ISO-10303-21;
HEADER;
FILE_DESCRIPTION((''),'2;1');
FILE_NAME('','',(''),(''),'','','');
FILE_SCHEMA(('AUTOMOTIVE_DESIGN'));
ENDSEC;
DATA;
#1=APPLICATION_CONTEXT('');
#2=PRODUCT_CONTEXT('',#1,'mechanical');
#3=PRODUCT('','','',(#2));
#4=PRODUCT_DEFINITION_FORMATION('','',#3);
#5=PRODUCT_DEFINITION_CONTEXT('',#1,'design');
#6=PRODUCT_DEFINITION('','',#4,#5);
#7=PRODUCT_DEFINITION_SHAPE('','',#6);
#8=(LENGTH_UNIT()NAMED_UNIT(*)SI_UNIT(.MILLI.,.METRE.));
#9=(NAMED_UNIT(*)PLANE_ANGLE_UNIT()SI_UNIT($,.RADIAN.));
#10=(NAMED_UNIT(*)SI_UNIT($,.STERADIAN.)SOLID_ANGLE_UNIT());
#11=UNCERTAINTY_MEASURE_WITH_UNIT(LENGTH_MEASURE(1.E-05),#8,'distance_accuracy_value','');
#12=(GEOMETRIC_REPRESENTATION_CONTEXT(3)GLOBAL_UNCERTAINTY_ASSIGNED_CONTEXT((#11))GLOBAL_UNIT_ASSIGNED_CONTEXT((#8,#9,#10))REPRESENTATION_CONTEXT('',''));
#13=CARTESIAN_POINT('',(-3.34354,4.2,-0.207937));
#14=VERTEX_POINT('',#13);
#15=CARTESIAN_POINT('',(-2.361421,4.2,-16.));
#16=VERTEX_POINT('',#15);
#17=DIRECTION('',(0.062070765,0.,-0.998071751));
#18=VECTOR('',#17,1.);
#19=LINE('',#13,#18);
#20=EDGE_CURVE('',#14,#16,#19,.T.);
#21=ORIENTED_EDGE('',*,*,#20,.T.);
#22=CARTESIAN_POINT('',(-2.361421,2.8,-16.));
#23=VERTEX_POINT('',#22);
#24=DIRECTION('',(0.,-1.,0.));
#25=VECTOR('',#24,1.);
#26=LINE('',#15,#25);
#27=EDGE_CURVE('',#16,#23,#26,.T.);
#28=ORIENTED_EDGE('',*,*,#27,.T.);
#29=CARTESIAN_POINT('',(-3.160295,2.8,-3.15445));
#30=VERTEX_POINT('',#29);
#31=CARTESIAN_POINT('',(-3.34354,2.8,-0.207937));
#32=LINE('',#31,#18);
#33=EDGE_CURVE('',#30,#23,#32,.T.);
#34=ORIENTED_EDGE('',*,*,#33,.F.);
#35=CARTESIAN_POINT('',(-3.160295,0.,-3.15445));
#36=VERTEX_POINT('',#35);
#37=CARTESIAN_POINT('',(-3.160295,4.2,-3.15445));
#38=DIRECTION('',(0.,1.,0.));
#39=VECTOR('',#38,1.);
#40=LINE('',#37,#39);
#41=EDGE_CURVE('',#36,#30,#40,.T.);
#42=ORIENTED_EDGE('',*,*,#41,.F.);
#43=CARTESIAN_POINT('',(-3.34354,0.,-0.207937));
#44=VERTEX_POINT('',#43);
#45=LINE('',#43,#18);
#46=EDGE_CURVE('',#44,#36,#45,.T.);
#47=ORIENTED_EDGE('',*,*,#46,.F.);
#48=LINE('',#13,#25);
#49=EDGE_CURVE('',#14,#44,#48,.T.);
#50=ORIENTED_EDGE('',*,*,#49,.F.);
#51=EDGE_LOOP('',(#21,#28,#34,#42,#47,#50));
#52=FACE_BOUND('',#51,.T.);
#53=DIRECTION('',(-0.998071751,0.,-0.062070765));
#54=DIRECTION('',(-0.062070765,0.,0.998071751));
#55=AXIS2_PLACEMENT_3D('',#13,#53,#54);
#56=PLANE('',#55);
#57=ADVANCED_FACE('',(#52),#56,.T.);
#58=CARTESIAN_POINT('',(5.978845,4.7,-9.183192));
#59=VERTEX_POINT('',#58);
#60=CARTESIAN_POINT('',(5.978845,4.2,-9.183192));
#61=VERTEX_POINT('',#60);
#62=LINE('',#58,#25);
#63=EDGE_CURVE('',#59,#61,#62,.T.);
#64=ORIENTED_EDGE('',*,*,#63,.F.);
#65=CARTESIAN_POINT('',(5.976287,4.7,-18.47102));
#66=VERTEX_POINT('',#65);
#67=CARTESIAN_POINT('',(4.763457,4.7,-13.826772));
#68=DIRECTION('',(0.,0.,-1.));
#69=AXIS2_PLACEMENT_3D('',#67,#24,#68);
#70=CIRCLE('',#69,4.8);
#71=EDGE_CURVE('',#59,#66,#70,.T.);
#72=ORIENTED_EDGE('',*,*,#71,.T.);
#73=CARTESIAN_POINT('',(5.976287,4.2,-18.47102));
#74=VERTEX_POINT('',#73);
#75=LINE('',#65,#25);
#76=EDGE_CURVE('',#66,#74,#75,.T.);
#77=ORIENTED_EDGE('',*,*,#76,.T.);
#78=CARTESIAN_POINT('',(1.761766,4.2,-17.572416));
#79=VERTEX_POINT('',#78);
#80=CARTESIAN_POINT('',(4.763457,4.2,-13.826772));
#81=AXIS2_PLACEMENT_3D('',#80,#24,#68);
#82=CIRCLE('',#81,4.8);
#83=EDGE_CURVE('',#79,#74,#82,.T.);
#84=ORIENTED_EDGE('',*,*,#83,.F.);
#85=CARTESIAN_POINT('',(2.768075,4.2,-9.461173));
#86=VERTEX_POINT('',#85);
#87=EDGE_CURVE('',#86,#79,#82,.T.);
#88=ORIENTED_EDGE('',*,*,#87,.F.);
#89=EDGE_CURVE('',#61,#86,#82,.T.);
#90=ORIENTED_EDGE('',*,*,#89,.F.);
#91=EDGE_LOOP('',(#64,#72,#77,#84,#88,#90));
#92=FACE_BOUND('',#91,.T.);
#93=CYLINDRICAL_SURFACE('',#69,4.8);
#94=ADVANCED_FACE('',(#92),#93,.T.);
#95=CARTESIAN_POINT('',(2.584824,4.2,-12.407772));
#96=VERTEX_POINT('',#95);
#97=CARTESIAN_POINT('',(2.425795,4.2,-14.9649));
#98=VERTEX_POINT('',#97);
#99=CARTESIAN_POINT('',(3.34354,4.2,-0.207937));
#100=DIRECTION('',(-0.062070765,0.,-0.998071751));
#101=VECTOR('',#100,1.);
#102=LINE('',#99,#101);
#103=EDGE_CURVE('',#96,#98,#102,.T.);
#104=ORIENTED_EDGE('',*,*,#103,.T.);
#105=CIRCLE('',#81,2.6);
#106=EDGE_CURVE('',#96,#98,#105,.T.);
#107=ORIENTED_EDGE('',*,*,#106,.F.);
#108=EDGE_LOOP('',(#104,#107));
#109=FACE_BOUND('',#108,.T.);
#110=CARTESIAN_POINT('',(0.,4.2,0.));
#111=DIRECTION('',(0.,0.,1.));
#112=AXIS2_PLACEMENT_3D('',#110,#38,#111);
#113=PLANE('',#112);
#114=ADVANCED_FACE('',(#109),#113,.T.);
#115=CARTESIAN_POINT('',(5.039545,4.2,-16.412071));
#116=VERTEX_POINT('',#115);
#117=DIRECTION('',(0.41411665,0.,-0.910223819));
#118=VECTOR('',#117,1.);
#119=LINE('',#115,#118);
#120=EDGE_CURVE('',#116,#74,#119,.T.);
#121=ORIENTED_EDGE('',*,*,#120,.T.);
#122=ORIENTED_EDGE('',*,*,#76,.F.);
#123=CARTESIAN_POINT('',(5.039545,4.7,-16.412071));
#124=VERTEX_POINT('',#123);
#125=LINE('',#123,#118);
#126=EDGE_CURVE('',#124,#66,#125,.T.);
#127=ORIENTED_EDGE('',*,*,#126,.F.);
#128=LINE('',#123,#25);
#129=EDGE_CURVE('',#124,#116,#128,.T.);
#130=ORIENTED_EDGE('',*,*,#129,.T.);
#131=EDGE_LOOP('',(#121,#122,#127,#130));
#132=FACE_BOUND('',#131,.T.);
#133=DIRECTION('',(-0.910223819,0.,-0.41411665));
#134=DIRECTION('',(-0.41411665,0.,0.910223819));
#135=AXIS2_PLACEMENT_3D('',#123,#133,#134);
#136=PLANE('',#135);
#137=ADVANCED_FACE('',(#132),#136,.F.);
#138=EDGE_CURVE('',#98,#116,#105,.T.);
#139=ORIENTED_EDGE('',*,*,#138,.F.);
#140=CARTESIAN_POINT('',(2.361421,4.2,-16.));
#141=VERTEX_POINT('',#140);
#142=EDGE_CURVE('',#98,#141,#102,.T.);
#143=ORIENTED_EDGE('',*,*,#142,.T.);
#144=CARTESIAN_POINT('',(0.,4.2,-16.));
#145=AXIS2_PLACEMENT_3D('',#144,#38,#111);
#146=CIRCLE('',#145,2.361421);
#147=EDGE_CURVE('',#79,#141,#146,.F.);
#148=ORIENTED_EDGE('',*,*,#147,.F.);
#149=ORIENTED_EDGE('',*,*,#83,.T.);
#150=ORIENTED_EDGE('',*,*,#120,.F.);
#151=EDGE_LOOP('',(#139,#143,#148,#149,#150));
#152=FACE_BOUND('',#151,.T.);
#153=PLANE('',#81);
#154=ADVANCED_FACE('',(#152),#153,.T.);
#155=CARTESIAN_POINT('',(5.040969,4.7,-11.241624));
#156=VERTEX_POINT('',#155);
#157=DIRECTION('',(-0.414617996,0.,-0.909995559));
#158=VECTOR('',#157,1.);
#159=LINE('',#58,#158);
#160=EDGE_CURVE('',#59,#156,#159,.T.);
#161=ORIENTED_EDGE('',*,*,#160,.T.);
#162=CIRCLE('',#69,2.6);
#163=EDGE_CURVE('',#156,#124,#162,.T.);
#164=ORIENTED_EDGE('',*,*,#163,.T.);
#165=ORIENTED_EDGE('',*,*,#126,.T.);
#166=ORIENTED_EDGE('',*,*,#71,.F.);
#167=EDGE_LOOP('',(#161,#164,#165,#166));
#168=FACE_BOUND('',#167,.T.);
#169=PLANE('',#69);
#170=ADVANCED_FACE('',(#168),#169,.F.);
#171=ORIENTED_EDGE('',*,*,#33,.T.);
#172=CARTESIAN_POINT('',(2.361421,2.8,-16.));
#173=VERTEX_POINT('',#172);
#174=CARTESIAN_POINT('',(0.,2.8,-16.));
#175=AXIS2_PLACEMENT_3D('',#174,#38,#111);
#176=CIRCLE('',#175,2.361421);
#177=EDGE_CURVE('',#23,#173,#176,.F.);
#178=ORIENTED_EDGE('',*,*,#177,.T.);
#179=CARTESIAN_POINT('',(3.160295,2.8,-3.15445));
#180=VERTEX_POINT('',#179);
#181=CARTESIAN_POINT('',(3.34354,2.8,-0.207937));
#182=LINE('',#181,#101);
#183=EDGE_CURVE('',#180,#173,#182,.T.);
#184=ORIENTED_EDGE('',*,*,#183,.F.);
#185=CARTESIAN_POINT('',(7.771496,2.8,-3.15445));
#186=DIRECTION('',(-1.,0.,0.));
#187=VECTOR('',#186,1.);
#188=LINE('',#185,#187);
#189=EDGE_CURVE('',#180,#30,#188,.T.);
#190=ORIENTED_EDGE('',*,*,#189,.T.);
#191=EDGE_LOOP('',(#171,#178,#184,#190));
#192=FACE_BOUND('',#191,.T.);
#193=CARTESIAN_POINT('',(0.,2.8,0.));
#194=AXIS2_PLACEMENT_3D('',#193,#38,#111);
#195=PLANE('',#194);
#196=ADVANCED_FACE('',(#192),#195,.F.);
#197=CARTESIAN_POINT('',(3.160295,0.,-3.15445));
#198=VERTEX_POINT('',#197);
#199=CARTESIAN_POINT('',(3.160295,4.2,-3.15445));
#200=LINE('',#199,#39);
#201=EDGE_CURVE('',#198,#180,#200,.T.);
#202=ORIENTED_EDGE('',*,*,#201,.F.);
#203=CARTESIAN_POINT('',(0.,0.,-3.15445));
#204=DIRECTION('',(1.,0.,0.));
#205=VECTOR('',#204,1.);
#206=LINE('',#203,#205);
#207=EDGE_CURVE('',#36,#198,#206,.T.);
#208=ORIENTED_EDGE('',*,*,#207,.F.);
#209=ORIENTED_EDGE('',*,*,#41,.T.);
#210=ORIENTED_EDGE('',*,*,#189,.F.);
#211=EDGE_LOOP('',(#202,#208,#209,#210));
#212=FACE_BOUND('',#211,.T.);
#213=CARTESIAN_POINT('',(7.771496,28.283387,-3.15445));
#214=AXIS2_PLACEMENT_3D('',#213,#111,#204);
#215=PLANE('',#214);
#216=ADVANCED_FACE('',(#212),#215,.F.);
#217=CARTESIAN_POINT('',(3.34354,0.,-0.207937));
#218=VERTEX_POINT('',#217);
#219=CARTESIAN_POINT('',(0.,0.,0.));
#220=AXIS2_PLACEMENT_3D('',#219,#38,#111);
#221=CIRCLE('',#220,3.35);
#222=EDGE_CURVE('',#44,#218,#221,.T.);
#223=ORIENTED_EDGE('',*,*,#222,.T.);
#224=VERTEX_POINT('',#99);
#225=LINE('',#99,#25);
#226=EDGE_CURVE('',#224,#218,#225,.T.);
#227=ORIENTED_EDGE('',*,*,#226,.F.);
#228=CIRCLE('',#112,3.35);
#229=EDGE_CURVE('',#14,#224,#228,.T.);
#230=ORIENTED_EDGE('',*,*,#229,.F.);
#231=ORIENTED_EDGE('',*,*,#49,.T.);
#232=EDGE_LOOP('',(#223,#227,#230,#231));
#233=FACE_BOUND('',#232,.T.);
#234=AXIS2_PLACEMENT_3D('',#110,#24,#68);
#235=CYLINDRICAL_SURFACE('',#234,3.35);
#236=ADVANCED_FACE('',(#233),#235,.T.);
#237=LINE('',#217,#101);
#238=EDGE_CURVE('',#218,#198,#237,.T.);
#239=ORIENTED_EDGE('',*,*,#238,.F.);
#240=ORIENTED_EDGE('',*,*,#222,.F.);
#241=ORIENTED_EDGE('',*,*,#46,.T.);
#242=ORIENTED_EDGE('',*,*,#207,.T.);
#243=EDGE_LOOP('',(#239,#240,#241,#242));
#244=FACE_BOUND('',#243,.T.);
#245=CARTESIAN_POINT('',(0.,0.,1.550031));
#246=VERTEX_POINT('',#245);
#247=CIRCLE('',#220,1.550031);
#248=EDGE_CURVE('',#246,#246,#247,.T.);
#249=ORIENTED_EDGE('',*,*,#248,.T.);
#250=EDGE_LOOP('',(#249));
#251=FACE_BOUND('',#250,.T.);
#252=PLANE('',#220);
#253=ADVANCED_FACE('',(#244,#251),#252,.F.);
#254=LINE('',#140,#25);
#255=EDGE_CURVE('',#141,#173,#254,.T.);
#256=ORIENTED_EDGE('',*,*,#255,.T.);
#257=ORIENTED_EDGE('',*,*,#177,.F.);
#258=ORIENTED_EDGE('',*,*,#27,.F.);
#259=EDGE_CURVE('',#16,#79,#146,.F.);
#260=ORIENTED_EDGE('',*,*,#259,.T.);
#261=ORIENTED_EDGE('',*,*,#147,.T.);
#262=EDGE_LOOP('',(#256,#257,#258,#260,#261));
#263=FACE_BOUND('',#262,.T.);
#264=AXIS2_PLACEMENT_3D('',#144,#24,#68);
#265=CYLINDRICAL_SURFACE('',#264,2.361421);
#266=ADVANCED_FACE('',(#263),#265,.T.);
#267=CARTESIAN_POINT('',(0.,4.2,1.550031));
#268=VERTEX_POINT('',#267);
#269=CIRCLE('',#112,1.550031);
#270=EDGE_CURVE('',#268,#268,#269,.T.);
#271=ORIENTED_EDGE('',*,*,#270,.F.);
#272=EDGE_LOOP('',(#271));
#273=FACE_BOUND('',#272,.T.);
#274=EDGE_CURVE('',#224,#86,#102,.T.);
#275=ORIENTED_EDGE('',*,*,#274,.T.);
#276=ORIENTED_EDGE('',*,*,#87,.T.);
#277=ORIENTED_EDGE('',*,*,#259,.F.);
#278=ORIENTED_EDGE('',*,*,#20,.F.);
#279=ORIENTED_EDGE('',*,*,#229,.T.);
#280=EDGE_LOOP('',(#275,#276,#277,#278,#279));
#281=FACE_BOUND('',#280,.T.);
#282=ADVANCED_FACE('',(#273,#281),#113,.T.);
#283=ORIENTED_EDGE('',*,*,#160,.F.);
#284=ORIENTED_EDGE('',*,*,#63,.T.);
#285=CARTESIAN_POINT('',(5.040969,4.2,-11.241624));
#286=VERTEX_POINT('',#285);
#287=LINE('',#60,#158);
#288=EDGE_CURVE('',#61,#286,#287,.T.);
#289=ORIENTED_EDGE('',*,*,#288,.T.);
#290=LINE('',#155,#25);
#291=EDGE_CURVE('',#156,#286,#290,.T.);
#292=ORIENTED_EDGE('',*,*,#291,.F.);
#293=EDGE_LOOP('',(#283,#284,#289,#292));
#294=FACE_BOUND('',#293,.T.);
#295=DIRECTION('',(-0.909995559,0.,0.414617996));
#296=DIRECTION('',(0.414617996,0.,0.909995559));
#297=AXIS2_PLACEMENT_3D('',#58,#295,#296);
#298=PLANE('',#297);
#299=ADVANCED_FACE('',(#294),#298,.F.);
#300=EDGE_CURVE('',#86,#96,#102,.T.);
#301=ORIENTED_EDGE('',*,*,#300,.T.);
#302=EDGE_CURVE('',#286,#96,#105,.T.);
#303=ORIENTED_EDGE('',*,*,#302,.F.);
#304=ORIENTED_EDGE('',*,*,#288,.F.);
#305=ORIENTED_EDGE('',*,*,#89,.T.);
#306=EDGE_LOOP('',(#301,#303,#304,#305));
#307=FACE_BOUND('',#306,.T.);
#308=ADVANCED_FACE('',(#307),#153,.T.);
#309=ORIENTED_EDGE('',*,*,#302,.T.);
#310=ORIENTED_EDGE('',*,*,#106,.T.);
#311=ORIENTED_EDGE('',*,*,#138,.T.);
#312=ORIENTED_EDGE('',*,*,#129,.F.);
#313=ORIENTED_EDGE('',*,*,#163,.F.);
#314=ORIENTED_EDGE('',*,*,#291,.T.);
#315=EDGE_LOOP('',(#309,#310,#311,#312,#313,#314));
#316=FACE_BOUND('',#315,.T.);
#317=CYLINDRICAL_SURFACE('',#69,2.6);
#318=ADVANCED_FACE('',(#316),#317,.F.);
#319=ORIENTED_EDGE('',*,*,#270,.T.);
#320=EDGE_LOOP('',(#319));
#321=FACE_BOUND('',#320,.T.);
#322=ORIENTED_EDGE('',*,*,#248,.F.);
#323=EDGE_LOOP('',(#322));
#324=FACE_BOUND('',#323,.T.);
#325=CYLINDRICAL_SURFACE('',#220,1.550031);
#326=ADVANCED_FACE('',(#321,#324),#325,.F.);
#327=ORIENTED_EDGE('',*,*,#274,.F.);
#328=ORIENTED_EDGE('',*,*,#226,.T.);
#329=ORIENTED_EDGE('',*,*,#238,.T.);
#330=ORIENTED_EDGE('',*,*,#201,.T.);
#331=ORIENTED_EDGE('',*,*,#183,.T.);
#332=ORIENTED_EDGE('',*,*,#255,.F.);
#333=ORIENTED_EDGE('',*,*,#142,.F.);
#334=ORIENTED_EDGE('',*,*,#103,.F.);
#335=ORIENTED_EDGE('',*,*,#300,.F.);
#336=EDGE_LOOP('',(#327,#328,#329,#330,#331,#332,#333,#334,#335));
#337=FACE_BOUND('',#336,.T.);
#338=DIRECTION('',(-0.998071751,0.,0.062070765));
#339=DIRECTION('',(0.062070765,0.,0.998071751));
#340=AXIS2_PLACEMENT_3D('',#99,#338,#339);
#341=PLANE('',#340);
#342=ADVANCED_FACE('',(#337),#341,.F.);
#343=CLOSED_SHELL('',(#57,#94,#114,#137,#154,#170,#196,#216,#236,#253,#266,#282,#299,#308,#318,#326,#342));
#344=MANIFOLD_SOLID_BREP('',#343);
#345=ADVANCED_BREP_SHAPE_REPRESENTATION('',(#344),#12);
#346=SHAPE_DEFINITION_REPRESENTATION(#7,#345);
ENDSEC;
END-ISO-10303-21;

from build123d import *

# Parameters (mm, degrees)
BOSS_EXTRUDE1_DEPTH = 4.2
SKETCH2_R           = 1.550030902
CUT_EXTRUDE1_DEPTH  = 4.2
WASHER_DEPTH        = 0.5
SKETCH4_W           = 15.014396114
SKETCH4_H           = 18.830226703
CUT_EXTRUDE2_DEPTH  = 2.8


with BuildPart() as part:
    # Sketch1 → Boss-Extrude1 (new body)
    with BuildSketch(Plane(origin=(0, 0, 0), x_dir=(1, 0, 0), z_dir=(0, 1, 0))):
        with BuildLine():
            Line((-2.361421162, 16), (-3.343540366, 0.207937064))
            ThreePointArc((-3.343540366, 0.207937064), (0, -3.35), (3.343540366, 0.207937064))
            Line((3.343540366, 0.207937064), (2.361421162, 16))
            ThreePointArc((2.361421162, 16), (0, 18.361421162), (-2.361421162, 16))
        make_face()
    extrude(amount=BOSS_EXTRUDE1_DEPTH)

    # Sketch2 → Cut-Extrude1 (cut)
    with BuildSketch(Plane(origin=(0, 4.2, 0), x_dir=(1, 0, 0), z_dir=(0, 1, 0))):
        with Locations(Location((0, 0, 0), (0, 0, 270))):
            Circle(SKETCH2_R)
    extrude(amount=-CUT_EXTRUDE1_DEPTH, mode=Mode.SUBTRACT)

    # Sketch3 → Washer (add)
    with BuildSketch(Plane(origin=(0, 4.2, 0), x_dir=(1, 0, 0), z_dir=(0, 1, 0))):
        with BuildLine():
            Line((5.978845304, 9.183192045), (5.040969257, 11.241624252))
            ThreePointArc((5.040969257, 11.241624252), (2.163457141, 13.826055508), (5.039545151, 16.412071489))
            Line((5.039545151, 16.412071489), (5.976287141, 18.471020026))
            ThreePointArc((5.976287141, 18.471020026), (-0.036542776, 13.825449558), (5.978845304, 9.183192045))
        make_face()
    extrude(amount=WASHER_DEPTH)

    # Sketch4 → Cut-Extrude2 (cut)
    with BuildSketch(Plane(origin=(0, 0, 0), x_dir=(-1, 0, 0), z_dir=(0, -1, 0))):
        with Locations((-0.264298209, 12.569563008)):
            Rectangle(SKETCH4_W, SKETCH4_H)
    extrude(amount=-CUT_EXTRUDE2_DEPTH, mode=Mode.SUBTRACT)


solid = part.part
